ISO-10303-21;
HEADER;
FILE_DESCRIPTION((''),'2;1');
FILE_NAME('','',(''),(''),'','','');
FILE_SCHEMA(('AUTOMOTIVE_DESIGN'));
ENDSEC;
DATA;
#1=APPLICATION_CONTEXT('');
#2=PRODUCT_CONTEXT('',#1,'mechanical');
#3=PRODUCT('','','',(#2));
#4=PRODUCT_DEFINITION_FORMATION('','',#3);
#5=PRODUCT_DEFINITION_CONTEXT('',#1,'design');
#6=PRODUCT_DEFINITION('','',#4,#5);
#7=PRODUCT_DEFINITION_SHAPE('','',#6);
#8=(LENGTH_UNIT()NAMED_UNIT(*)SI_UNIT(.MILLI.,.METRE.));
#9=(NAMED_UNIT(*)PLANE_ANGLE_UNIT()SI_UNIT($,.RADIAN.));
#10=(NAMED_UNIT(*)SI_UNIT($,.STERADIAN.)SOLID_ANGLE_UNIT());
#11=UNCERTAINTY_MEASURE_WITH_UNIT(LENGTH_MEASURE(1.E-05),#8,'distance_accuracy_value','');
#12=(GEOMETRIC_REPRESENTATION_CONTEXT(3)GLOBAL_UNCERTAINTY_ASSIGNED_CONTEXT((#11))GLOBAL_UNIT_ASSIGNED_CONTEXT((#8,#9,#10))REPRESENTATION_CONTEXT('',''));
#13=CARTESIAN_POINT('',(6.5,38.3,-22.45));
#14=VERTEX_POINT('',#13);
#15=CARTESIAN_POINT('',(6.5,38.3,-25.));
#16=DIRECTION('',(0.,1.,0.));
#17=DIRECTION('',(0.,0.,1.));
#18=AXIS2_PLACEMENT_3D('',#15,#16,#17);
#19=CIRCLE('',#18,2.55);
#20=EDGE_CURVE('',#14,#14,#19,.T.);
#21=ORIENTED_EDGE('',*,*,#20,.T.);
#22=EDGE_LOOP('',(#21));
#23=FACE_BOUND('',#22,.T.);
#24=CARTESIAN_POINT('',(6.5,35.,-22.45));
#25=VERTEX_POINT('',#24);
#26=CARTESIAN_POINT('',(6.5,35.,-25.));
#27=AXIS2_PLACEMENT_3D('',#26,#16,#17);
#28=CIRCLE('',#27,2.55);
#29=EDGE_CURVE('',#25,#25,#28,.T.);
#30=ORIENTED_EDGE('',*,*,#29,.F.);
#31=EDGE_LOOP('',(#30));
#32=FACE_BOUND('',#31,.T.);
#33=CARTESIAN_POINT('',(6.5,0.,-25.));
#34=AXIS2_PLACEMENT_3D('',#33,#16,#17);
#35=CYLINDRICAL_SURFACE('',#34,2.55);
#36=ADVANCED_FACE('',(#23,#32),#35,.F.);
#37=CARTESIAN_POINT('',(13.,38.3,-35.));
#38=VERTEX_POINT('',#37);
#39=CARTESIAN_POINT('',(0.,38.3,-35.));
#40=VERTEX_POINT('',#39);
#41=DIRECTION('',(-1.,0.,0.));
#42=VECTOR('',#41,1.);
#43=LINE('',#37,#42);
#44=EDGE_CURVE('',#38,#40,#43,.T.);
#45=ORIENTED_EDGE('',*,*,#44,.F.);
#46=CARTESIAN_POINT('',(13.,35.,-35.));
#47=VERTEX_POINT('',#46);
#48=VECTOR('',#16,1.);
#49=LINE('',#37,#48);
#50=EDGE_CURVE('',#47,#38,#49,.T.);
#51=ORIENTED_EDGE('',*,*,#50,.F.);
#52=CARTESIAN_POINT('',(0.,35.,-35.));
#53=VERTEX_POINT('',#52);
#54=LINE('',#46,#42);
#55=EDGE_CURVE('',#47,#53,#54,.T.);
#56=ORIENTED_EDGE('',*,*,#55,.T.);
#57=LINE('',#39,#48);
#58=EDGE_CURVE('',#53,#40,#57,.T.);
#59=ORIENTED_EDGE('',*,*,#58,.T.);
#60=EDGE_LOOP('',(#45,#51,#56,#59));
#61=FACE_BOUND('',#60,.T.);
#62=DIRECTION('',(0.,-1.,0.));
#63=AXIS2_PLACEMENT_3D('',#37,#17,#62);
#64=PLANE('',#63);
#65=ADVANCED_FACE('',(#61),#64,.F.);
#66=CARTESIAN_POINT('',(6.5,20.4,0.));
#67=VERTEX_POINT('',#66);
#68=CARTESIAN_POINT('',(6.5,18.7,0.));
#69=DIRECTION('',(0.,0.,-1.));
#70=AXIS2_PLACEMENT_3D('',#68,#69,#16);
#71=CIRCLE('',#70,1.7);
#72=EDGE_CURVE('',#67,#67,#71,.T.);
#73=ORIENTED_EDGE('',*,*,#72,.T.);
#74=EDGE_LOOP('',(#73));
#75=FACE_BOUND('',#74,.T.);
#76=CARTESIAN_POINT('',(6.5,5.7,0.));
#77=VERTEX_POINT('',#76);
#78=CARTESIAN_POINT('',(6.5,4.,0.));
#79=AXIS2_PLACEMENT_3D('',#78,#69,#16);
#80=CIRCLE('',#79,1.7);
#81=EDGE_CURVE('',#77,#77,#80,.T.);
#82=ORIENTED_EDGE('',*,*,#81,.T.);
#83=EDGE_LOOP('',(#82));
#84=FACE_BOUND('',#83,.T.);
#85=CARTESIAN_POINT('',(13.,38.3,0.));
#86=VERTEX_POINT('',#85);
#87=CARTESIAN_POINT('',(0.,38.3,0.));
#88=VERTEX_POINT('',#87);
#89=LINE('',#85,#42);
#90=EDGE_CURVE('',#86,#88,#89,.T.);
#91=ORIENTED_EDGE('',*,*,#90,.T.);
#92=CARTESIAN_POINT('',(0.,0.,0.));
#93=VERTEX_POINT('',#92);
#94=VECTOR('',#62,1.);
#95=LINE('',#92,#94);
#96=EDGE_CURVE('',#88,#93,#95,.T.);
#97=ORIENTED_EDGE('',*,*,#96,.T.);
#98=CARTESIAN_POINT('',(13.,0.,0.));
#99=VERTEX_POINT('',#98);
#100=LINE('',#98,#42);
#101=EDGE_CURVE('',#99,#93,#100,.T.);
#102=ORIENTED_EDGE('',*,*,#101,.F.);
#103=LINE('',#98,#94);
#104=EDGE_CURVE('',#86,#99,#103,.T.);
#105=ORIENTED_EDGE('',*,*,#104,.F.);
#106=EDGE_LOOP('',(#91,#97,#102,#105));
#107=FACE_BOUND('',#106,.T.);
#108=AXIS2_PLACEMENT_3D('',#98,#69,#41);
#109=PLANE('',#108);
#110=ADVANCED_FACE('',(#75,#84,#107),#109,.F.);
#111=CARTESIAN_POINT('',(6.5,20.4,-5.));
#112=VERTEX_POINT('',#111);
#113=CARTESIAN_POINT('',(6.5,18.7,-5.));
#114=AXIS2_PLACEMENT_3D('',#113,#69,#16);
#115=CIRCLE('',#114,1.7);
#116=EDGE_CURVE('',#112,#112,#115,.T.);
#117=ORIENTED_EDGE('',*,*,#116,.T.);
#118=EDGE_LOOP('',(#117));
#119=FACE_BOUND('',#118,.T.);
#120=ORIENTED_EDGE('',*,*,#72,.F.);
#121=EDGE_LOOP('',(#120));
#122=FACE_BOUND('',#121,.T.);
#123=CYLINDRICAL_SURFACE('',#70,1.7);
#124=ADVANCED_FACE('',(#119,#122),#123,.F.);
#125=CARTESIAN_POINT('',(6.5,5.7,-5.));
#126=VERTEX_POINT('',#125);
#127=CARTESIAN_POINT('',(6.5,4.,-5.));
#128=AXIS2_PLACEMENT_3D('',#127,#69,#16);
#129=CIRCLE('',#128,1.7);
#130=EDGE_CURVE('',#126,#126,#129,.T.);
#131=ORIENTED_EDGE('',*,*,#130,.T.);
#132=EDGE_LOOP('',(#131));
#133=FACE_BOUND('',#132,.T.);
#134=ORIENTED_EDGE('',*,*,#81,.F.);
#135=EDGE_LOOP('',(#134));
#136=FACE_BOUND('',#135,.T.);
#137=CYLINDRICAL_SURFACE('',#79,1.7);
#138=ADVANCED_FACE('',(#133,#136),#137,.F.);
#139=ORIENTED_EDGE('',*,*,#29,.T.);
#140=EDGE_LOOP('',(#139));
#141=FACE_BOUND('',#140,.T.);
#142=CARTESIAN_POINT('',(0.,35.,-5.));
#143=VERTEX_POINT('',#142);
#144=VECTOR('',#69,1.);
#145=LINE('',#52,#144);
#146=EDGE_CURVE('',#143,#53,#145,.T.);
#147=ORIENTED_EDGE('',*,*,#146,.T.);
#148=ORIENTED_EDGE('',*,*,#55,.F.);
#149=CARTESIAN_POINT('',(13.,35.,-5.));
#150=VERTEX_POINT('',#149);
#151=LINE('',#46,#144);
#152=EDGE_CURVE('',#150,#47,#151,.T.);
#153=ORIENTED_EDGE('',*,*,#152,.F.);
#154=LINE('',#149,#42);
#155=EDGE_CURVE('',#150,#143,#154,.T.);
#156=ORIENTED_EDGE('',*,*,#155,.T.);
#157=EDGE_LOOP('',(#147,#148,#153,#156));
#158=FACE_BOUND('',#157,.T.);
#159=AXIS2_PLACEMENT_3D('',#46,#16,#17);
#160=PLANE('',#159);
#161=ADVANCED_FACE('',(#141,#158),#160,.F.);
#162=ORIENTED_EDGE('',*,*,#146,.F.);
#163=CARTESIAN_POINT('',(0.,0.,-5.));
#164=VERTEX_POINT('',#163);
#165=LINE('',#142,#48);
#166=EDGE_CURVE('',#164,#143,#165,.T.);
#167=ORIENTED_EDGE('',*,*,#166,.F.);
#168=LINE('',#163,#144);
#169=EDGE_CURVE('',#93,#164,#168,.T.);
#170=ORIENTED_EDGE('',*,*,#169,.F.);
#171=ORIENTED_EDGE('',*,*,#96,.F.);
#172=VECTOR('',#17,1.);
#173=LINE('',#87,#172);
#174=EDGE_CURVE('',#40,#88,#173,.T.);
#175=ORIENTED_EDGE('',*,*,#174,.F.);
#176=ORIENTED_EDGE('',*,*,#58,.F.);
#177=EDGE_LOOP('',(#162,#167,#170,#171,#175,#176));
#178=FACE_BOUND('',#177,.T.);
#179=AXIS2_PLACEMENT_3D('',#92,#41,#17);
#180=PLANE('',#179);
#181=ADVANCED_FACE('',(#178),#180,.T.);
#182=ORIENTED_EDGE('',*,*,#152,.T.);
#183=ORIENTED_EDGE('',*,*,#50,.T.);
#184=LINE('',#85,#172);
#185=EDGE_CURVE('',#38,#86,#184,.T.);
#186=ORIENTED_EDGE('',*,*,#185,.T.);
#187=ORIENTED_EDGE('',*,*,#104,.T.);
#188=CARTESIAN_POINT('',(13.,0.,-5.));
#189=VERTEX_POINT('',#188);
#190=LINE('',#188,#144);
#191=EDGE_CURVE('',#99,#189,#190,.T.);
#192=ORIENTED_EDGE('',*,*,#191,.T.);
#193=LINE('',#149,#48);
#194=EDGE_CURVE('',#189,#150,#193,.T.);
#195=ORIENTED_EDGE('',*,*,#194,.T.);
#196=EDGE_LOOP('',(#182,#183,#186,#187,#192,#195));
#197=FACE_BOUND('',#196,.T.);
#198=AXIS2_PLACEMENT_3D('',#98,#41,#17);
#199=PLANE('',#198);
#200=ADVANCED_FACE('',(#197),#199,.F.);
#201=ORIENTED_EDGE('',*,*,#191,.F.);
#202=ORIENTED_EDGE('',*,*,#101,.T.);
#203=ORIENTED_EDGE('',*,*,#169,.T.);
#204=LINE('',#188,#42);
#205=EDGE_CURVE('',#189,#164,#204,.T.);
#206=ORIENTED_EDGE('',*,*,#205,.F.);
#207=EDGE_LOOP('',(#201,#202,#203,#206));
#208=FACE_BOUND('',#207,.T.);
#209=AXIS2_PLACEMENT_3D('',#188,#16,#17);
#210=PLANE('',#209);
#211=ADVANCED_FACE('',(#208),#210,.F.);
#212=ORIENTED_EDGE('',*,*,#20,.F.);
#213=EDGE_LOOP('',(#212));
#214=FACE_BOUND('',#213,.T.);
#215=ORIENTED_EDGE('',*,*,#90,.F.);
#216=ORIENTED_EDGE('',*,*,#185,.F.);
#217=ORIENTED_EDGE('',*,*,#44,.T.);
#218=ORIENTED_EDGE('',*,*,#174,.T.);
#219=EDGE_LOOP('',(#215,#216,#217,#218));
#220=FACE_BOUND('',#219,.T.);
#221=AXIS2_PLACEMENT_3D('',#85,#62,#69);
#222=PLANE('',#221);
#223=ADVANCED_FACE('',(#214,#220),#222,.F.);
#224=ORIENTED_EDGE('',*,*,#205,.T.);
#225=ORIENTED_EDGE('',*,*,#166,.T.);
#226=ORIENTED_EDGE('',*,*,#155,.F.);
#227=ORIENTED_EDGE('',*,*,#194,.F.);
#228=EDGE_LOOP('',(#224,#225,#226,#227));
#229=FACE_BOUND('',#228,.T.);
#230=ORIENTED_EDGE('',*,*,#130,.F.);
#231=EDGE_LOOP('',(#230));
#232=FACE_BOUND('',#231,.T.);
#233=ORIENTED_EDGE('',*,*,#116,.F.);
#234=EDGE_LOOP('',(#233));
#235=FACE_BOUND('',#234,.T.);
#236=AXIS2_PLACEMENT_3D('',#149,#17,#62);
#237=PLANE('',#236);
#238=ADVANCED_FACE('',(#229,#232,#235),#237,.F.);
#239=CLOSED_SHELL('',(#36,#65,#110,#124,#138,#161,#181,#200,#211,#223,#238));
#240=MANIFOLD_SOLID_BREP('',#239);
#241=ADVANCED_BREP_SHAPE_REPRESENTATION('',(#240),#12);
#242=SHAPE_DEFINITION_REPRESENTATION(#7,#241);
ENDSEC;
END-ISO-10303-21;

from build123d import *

# Parameters (mm, degrees)
BOSS_EXTRUDE1_DEPTH = 13
SKETCH2_R           = 1.7
CUT_EXTRUDE1_DEPTH  = 6
SKETCH3_R           = 2.55
CUT_EXTRUDE2_DEPTH  = 39.3


with BuildPart() as part:
    # Sketch1 → Boss-Extrude1 (new body)
    with BuildSketch(Plane(origin=(0, 0, 0), x_dir=(0, 0, -1), z_dir=(1, 0, 0))):
        Polygon((0, 0), (0, 38.3), (35, 38.3), (35, 35), (5, 35), (5, 0), align=None)
    extrude(amount=BOSS_EXTRUDE1_DEPTH)

    # Sketch2 → Cut-Extrude1 (cut, through all)
    with BuildSketch(Plane(origin=(0, 0, -5), x_dir=(-1, 0, 0), z_dir=(0, 0, -1))):
        with Locations((-6.5, 18.7)):
            Circle(SKETCH2_R)
        with Locations((-6.5, 4)):
            Circle(SKETCH2_R)
    extrude(amount=-CUT_EXTRUDE1_DEPTH, mode=Mode.SUBTRACT)

    # Sketch3 → Cut-Extrude2 (cut, through all)
    with BuildSketch(Plane(origin=(0, 38.3, 0), x_dir=(1, 0, 0), z_dir=(0, 1, 0))):
        with Locations((6.5, 25)):
            Circle(SKETCH3_R)
    extrude(amount=-CUT_EXTRUDE2_DEPTH, mode=Mode.SUBTRACT)


solid = part.part
